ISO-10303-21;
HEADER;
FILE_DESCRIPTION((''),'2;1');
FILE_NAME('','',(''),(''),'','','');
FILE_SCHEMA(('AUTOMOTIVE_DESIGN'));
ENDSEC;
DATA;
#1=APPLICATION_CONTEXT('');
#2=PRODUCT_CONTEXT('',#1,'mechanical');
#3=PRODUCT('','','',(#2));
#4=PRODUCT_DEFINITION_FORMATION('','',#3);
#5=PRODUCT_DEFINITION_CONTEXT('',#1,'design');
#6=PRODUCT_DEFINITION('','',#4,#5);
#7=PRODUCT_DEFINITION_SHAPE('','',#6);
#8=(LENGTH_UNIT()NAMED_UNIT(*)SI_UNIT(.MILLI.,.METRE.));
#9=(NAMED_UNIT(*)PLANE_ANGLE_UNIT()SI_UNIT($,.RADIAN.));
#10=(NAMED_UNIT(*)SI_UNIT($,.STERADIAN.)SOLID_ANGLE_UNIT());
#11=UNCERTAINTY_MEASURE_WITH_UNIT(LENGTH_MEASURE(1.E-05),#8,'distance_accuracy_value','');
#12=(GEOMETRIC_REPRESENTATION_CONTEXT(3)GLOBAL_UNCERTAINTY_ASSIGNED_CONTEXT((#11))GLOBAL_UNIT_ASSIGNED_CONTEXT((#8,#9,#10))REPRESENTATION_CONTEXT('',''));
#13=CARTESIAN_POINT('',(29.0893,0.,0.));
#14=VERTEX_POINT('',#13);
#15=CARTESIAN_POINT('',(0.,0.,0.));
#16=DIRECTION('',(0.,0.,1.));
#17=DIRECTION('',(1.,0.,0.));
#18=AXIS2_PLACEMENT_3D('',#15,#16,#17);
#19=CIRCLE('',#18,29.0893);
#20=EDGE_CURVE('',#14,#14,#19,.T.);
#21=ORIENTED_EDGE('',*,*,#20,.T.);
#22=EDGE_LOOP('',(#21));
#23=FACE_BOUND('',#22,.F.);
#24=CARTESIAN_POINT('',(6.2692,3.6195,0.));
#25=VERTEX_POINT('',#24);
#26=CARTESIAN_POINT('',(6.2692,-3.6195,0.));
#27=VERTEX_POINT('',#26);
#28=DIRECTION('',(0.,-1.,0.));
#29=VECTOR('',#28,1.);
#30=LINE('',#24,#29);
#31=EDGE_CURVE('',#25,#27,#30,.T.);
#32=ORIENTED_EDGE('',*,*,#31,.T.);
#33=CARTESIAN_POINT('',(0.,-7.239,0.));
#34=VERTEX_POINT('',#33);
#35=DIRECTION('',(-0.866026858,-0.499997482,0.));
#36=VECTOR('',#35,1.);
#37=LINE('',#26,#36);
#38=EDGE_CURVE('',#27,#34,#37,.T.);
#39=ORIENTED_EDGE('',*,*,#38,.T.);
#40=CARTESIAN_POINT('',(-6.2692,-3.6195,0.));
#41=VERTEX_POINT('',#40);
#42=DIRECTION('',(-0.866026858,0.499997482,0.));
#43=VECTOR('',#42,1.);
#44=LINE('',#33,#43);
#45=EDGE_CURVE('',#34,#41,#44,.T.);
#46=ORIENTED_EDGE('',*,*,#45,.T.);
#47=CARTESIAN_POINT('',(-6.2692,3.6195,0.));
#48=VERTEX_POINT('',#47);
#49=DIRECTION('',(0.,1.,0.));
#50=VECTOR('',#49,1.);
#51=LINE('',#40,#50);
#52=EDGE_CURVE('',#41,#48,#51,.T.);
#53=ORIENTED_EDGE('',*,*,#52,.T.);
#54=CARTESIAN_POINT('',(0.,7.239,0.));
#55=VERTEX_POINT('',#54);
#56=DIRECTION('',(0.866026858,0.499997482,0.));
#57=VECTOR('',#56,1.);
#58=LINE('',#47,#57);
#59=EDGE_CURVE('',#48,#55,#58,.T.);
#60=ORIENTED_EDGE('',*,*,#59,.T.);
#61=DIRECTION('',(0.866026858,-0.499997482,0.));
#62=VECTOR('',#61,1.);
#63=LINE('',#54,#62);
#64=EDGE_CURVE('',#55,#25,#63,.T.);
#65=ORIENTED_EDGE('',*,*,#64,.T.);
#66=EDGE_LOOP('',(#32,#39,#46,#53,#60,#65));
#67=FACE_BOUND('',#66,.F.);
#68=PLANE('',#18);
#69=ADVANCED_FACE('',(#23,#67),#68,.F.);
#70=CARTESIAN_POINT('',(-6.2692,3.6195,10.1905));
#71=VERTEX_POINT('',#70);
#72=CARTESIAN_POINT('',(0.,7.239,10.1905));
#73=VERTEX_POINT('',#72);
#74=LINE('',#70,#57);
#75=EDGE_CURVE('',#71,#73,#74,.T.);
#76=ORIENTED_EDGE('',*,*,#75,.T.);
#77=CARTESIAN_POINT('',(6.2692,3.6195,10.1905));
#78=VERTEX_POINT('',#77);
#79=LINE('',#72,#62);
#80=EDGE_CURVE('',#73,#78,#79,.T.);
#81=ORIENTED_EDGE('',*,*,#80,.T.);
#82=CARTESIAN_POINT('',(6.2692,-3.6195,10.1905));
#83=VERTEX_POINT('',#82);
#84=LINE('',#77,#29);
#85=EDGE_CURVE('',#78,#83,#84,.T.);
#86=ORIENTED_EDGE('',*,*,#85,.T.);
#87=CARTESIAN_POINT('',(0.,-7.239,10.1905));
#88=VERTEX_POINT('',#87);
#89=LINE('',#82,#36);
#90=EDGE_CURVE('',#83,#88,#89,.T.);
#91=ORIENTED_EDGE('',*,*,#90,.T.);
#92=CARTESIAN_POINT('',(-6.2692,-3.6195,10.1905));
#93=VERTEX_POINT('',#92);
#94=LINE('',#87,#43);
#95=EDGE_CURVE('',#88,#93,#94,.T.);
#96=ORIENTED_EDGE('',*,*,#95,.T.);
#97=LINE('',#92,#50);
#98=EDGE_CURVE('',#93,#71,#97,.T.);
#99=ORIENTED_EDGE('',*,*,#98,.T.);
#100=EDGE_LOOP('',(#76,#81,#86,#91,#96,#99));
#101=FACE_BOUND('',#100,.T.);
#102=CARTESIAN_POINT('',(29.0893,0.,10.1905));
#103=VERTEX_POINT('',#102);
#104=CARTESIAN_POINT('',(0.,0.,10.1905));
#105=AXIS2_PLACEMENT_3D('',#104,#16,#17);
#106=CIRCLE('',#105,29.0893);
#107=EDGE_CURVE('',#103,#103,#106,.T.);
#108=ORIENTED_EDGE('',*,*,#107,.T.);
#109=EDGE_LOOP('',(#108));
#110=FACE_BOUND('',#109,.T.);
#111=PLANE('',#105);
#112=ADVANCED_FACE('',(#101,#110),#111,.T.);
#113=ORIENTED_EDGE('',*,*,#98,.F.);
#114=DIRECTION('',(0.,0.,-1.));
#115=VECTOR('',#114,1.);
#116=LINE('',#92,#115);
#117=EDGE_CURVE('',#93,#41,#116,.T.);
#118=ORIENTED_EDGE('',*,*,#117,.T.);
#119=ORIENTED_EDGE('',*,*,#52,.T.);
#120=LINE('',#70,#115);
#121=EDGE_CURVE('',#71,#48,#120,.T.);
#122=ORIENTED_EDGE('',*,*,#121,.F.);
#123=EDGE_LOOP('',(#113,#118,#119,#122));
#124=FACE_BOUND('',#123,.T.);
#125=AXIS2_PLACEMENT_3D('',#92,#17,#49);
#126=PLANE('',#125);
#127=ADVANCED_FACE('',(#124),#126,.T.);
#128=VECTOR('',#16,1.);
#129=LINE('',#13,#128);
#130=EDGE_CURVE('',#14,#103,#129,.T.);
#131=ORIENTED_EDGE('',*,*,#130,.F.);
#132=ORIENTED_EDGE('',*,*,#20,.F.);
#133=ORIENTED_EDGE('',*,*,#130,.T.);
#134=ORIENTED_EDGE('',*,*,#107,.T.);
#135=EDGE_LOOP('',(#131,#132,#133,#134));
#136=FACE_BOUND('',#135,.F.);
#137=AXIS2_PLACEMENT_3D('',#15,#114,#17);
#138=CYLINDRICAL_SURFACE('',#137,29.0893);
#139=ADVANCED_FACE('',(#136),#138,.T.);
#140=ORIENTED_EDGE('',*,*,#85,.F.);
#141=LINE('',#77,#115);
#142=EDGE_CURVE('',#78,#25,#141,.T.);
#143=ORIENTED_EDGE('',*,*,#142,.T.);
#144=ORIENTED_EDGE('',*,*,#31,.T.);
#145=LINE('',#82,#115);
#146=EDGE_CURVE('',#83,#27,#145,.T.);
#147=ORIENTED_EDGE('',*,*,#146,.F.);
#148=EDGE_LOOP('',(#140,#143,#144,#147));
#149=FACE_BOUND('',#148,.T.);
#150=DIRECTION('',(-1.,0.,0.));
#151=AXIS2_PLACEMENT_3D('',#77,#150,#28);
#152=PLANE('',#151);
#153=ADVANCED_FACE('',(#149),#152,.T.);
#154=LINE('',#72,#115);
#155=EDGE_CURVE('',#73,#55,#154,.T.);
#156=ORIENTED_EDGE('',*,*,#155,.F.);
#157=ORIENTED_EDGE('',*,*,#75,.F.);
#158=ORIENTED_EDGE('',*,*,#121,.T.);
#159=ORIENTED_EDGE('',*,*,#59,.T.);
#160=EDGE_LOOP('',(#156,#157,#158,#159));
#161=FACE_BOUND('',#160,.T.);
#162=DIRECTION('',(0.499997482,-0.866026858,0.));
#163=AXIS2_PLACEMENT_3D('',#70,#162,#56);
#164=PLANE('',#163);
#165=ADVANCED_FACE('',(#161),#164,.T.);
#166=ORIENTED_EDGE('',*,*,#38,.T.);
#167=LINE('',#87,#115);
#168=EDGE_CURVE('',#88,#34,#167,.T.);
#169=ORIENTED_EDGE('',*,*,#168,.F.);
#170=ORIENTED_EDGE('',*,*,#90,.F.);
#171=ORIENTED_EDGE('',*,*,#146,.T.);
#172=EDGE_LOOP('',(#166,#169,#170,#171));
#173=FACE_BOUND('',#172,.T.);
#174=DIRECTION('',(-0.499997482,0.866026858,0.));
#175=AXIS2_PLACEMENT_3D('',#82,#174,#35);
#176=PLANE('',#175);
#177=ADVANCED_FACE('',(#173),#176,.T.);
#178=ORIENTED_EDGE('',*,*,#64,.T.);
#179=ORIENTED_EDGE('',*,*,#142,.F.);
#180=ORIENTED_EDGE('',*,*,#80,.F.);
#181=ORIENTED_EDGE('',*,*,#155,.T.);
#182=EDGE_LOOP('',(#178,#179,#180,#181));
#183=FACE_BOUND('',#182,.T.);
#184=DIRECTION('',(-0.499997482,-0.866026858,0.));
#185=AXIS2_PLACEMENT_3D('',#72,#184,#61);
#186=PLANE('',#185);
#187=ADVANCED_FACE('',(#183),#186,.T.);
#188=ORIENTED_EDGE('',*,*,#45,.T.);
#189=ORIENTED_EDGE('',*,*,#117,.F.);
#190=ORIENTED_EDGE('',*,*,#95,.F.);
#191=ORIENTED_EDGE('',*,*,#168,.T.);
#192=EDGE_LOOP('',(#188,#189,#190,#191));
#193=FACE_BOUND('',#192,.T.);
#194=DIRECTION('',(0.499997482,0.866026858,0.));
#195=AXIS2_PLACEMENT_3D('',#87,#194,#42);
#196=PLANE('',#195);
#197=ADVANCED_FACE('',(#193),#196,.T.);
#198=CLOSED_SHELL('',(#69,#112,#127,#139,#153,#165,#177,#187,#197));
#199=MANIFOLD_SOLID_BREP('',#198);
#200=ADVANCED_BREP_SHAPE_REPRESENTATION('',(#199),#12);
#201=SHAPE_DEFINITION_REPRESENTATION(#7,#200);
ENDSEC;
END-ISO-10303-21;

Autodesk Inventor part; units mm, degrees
ref_plane "YZ Plane" through (0, 0, 0) normal (1, 0, 0) x (0, 1, 0)
ref_plane "XZ Plane" through (0, 0, 0) normal (0, 1, 0) x (-1, 0, 0)
ref_plane "XY Plane" through (0, 0, 0) normal (0, 0, 1) x (1, 0, 0)
sketch "Sketch1" plane through (0, 0, 0) normal (0, 0, 1) x (1, 0, 0)
  circle A0 centre (0, 0) radius 29.0893
  dimension "d0" = 58.1787
extrude "Extrusion1" add sketch "Sketch1" along normal blind 10.1905
sketch "Sketch2" plane through (0, 0, 10.1905) normal (0, 0, 1) x (1, 0, 0)
  line L0 (0, 7.239) -> (6.2692, 3.6195)
  line L1 (6.2692, 3.6195) -> (6.2692, -3.6195)
  line L2 (6.2692, -3.6195) -> (0, -7.239)
  line L3 (0, -7.239) -> (-6.2692, -3.6195)
  line L4 (-6.2692, -3.6195) -> (-6.2692, 3.6195)
  line L5 (-6.2692, 3.6195) -> (0, 7.239)
  point P0 (0, 0)
  point P1 (0, 0)
  point P2 (0, 0)
  dimension "d5" = 14.478
extrude "Extrusion2" cut sketch "Sketch2" against normal blind 10.1905
properties part number "large gear hex"
